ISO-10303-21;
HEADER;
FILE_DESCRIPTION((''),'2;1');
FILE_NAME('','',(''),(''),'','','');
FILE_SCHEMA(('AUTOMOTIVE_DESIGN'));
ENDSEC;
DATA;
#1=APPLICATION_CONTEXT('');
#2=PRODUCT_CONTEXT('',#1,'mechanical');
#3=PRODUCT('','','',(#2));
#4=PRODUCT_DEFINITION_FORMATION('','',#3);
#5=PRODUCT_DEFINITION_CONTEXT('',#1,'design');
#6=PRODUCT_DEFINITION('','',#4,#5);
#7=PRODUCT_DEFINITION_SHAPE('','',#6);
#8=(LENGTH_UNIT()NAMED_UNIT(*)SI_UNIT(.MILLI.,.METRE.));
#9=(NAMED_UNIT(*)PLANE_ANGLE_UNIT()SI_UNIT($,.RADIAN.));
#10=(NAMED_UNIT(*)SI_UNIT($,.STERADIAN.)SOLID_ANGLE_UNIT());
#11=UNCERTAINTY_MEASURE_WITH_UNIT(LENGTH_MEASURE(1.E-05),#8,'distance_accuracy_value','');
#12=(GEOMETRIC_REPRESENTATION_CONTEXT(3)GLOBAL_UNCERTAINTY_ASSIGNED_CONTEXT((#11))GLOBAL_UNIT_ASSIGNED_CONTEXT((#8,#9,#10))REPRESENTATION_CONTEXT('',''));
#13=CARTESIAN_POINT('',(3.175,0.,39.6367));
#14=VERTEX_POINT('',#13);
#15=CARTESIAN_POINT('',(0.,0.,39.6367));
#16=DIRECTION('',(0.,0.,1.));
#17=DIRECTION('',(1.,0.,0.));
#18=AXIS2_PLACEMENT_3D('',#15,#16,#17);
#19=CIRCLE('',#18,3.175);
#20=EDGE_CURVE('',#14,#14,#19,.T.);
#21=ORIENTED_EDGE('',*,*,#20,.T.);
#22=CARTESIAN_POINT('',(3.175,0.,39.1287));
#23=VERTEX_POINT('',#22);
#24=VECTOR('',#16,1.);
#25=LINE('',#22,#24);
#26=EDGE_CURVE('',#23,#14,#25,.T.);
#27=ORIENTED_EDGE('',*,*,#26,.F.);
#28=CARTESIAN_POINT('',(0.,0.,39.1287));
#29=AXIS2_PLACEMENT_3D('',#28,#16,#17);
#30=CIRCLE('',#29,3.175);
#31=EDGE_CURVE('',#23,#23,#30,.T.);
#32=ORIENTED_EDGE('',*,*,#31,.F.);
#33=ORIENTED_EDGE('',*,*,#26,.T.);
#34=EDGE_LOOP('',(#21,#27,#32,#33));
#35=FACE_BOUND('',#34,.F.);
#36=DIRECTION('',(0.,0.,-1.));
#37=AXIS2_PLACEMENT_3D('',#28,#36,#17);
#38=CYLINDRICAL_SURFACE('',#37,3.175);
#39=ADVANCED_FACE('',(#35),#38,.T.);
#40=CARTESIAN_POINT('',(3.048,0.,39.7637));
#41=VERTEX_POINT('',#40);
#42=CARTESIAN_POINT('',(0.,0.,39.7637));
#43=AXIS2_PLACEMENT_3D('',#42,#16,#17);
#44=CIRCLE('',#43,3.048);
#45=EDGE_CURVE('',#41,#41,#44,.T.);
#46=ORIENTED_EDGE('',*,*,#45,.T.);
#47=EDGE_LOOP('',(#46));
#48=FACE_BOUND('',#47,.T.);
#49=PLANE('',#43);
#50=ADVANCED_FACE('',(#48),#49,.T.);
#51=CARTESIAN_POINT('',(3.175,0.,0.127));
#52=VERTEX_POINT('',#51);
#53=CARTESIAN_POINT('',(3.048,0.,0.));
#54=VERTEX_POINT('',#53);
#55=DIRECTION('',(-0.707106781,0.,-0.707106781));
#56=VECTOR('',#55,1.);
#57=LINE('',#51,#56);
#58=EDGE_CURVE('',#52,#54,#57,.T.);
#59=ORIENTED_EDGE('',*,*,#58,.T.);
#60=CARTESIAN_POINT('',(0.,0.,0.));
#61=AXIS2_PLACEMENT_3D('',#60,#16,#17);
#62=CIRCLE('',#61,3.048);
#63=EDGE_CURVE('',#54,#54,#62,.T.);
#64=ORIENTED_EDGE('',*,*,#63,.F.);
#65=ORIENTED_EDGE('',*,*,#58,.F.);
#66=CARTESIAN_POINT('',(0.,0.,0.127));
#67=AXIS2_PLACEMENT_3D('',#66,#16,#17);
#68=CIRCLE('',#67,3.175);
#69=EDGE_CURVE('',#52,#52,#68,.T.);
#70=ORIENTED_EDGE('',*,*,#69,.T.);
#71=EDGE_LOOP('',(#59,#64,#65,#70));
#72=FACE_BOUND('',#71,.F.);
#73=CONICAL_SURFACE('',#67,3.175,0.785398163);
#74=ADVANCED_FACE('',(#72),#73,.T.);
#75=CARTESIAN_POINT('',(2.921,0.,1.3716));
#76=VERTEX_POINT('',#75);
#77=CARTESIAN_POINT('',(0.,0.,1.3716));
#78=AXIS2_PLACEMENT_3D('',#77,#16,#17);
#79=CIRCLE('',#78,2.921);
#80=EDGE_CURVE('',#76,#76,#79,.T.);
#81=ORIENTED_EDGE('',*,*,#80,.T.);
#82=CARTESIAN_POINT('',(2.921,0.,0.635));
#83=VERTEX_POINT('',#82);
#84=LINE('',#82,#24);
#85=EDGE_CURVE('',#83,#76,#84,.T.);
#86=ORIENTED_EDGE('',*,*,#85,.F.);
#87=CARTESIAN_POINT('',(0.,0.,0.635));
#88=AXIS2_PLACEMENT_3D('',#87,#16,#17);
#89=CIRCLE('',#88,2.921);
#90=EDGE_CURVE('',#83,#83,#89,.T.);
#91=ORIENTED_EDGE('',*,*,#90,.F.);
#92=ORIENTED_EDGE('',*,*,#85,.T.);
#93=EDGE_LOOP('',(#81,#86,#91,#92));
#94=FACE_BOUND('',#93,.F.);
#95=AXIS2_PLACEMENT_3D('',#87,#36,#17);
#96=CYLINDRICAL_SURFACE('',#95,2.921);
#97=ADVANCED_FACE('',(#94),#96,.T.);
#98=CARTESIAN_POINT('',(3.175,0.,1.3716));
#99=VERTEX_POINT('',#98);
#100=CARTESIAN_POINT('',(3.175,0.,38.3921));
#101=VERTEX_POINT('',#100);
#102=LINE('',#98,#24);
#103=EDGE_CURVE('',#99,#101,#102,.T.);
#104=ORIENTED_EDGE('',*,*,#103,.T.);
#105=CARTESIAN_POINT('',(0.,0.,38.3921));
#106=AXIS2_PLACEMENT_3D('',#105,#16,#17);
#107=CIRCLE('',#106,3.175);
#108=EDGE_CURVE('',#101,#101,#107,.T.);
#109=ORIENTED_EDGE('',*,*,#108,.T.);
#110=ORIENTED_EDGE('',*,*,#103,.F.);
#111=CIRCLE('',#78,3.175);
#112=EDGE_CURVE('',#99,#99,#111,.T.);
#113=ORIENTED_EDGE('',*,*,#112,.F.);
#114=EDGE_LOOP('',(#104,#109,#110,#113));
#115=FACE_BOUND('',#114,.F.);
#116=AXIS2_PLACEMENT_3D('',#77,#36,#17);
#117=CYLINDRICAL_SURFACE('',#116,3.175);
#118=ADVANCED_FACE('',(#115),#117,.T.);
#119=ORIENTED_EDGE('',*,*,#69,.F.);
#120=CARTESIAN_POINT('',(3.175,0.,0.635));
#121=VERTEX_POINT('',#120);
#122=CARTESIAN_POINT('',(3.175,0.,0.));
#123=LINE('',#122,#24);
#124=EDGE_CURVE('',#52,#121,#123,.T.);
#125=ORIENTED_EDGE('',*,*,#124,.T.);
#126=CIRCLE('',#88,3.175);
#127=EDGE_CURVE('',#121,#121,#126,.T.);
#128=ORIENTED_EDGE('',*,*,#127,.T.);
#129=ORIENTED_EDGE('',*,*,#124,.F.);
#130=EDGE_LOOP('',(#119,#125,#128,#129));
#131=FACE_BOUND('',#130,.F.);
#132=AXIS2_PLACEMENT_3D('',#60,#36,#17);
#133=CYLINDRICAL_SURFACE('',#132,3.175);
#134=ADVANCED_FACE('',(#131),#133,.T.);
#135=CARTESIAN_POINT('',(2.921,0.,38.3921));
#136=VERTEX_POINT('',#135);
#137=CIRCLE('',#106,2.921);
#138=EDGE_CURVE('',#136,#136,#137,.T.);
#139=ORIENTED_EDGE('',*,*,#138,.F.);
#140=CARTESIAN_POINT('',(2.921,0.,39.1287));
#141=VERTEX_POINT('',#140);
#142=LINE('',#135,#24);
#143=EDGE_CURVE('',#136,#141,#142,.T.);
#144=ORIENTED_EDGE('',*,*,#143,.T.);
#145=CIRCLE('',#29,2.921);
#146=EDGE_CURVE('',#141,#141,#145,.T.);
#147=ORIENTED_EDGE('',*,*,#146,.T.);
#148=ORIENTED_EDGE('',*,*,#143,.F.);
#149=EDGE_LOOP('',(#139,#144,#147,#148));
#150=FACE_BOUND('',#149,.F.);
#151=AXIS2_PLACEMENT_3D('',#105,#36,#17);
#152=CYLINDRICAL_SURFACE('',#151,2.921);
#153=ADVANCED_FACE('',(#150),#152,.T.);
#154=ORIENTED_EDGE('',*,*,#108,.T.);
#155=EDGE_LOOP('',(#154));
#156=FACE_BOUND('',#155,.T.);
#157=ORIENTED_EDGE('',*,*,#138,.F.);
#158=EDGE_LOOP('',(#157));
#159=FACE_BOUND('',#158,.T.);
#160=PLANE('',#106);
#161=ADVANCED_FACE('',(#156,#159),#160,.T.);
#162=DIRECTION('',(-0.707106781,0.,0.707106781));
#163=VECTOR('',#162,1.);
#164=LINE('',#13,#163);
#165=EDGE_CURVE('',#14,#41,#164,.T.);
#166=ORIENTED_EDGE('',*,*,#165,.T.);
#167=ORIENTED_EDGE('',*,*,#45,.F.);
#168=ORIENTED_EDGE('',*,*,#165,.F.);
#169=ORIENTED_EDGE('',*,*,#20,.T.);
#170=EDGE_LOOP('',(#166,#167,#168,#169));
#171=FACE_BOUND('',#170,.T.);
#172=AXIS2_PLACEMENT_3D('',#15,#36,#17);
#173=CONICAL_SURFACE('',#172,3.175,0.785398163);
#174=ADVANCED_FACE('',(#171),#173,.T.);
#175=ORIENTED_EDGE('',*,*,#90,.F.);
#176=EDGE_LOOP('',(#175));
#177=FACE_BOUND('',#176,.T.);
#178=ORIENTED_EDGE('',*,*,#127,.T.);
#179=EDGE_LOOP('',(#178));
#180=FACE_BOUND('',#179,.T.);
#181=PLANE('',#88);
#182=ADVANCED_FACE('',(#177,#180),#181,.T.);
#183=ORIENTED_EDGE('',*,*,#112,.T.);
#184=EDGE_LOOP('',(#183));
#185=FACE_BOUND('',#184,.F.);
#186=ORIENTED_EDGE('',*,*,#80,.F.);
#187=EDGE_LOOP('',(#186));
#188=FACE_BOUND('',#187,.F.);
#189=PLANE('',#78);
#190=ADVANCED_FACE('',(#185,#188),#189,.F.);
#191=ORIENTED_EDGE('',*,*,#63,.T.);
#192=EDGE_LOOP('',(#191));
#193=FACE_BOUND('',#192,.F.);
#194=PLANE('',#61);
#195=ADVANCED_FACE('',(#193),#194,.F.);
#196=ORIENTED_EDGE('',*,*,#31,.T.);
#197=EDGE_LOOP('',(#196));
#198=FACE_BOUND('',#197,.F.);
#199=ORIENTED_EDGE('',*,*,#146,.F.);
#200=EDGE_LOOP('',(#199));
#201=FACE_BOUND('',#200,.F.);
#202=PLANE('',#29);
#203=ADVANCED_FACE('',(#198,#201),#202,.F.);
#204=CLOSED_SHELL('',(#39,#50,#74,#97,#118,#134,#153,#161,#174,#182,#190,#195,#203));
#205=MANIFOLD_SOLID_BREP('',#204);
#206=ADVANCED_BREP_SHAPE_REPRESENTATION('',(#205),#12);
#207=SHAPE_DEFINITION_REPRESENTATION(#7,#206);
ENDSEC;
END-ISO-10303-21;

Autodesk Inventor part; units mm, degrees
ref_plane "YZ Plane" through (0, 0, 0) normal (1, 0, 0) x (0, 1, 0)
ref_plane "XZ Plane" through (0, 0, 0) normal (0, 1, 0) x (-1, 0, 0)
ref_plane "XY Plane" through (0, 0, 0) normal (0, 0, 1) x (1, 0, 0)
sketch "Sketch1" plane through (0, 0, 0) normal (0, 0, 1) x (1, 0, 0)
  circle A0 centre (0, 0) radius 3.175
  dimension "d0" = 6.35
extrude "Extrusion1" add sketch "Sketch1" along normal blind 0.635
sketch "Sketch2" plane through (0, 0, 0.635) normal (0, 0, 1) x (1, 0, 0)
  circle A0 centre (0, 0) radius 3.175 projected
  circle A1 centre (0, 0) radius 2.921
  dimension "d6" = 5.842
extrude "Extrusion2" add sketch "Sketch2" along normal blind 0.7366 contours A1
sketch "Sketch3" plane through (0, 0, 1.3716) normal (0, 0, 1) x (1, 0, 0)
  circle A0 centre (0, 0) radius 2.921 projected
  circle A1 centre (0, 0) radius 3.175
  dimension "d10" = 6.35
extrude "Extrusion3" add sketch "Sketch3" along normal blind 37.0205 contours A0 | A1
sketch "Sketch4" plane through (0, 0, 38.3921) normal (0, 0, 1) x (1, 0, 0)
  circle A0 centre (0, 0) radius 3.175 projected
  circle A1 centre (0, 0) radius 2.921
  dimension "d13" = 5.842
extrude "Extrusion4" add sketch "Sketch4" along normal blind 0.7366 contours A1
sketch "Sketch5" plane through (0, 0, 39.1287) normal (0, 0, 1) x (1, 0, 0)
  circle A0 centre (0, 0) radius 2.921 projected
  circle A1 centre (0, 0) radius 3.175
  dimension "d16" = 6.35
extrude "Extrusion5" add sketch "Sketch5" along normal blind 0.635 contours A0 | A1
chamfer "Chamfer1" distance 0.127 angle 45 2 edges at (-3.175, 0, 0) (-3.175, 0, 39.7637)
properties part number "Belt Shaft"
